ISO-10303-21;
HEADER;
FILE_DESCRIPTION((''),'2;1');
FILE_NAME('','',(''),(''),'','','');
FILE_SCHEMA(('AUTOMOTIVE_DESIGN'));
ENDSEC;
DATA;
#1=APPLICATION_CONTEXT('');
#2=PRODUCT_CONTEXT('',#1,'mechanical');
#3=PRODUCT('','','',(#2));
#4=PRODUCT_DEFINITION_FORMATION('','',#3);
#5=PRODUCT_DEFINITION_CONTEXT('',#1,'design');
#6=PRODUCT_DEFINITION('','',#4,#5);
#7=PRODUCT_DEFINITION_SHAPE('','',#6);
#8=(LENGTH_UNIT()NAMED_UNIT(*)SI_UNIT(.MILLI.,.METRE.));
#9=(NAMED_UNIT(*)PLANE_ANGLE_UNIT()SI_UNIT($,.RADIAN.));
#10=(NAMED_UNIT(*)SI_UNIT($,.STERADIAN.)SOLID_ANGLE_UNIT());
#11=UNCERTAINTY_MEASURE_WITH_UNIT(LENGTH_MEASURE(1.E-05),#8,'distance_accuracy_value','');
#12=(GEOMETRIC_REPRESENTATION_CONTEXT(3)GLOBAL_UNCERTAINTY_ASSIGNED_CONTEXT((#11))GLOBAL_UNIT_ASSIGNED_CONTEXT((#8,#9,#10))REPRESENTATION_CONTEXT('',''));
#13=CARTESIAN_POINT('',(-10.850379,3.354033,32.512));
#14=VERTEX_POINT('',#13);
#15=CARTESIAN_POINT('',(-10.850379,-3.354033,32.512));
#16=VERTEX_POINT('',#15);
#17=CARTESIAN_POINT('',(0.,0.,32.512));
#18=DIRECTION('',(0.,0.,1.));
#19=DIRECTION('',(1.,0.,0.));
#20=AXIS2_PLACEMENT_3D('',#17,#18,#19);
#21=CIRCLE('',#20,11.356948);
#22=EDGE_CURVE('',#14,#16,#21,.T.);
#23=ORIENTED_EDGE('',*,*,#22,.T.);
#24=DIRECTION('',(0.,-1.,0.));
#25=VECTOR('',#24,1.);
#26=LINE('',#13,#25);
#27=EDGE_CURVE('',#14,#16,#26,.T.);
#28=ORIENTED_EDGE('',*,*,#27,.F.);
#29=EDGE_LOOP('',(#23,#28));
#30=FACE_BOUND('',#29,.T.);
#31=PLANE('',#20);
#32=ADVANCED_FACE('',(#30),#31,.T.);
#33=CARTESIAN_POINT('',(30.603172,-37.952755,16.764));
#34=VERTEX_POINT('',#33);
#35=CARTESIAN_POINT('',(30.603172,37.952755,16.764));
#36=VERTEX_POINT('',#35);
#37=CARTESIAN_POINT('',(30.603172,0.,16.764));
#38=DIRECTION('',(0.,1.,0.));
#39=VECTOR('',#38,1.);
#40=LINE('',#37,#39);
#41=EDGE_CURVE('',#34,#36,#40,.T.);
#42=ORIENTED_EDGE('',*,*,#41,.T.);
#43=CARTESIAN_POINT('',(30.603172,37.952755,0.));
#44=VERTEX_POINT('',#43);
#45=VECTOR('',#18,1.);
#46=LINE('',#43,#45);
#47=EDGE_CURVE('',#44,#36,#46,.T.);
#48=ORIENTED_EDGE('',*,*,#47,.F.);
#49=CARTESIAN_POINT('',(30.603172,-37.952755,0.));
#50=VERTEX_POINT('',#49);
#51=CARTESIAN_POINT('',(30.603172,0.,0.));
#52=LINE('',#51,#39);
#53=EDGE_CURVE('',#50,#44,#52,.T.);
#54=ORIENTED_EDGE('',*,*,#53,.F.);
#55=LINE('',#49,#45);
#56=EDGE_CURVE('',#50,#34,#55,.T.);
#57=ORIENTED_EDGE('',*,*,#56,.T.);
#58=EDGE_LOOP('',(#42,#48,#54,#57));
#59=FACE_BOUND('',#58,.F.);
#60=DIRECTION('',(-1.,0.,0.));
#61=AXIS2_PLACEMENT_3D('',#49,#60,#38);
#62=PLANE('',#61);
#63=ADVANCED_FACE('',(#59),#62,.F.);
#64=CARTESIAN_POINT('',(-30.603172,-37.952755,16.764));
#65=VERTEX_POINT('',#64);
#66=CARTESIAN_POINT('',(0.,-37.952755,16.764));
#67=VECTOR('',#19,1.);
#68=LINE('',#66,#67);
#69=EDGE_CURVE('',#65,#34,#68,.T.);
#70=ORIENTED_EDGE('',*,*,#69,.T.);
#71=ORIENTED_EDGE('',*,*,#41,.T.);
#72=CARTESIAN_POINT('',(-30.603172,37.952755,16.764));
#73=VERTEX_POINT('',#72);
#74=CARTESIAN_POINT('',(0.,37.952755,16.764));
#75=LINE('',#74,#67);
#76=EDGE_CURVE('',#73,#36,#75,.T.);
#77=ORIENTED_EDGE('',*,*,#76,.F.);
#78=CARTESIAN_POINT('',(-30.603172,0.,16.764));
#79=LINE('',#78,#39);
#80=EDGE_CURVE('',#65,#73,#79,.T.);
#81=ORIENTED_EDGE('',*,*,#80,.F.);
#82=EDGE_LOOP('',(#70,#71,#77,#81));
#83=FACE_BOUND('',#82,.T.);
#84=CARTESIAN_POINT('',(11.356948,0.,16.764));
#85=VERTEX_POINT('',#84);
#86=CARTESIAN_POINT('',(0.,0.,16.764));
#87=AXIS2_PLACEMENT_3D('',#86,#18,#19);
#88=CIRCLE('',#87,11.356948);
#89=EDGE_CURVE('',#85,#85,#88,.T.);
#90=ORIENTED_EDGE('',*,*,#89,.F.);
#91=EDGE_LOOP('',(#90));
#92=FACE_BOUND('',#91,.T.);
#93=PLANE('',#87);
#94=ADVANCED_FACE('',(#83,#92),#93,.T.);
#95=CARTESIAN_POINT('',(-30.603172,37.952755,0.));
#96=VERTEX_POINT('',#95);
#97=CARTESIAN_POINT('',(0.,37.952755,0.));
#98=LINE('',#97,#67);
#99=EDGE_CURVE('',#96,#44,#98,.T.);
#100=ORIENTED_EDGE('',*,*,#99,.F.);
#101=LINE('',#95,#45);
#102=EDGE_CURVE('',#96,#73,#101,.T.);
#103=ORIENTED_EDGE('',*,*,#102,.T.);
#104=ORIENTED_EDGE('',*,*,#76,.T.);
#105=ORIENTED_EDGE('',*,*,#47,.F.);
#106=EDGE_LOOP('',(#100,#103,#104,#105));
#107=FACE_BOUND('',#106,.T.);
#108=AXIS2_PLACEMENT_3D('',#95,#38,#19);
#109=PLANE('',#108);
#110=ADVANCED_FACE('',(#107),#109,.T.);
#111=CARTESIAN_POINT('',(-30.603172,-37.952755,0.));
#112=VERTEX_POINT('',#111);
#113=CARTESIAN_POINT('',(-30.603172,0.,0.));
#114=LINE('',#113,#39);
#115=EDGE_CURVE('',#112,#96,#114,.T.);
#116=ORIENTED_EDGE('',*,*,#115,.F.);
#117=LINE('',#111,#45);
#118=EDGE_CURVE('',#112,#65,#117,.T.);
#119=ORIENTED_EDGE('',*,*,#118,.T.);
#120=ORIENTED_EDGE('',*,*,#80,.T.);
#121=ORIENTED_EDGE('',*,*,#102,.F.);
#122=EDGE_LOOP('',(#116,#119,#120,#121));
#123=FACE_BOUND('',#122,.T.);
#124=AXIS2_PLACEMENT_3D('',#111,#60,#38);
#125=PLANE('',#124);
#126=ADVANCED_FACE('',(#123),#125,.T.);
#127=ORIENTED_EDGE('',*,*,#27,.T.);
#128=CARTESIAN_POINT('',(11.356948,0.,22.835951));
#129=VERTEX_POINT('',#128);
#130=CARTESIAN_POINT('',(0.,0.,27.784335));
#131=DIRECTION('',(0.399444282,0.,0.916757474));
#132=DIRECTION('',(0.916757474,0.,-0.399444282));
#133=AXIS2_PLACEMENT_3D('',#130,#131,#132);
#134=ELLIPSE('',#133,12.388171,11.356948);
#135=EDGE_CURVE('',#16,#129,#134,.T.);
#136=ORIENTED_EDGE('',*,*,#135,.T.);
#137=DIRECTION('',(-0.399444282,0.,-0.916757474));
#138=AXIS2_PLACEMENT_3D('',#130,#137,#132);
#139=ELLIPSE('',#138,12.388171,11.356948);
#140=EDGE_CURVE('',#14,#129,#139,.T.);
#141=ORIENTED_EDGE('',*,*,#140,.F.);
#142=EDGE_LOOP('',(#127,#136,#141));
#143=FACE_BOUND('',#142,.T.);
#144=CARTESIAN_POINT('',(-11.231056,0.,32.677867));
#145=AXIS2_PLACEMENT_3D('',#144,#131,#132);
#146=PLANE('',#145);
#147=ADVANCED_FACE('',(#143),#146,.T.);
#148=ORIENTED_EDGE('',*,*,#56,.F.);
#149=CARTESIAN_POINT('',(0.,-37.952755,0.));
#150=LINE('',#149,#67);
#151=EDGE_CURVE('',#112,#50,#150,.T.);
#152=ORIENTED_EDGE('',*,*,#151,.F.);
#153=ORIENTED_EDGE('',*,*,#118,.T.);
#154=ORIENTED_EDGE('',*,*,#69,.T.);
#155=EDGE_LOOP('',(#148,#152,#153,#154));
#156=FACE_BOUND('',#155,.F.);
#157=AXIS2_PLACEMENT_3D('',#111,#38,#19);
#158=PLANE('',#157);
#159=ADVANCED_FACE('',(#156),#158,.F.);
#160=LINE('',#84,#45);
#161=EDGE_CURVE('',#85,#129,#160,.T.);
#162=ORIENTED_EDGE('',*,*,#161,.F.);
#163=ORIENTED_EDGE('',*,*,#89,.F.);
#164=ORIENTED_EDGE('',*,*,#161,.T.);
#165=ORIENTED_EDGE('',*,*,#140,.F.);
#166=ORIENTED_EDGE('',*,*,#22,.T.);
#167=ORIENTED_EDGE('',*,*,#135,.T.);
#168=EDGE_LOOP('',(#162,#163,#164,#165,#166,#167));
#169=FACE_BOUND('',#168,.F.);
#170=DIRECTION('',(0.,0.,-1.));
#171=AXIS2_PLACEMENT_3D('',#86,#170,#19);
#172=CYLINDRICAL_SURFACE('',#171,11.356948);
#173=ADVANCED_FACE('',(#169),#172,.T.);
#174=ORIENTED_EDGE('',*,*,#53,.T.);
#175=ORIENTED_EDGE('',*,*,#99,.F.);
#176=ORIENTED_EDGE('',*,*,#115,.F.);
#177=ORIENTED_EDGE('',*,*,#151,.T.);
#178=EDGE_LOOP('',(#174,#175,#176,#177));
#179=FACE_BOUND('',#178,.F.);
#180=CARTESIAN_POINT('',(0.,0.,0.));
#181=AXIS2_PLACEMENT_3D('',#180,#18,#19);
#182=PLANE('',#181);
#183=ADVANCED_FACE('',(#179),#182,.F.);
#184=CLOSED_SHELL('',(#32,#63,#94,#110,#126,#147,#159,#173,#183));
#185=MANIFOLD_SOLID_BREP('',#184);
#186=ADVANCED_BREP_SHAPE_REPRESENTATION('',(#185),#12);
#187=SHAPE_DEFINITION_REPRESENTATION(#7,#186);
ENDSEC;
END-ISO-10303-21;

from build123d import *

# Parameters (mm, degrees)
F0_W          = 61.2063445151
F0_H          = 75.9055092931
F1_DEPTH      = 16.764
F2_R          = 11.3569479506
F3_DEPTH      = 15.748
F5_DEPTH      = 25.4
F5_DEPTH_BACK = 25.4


with BuildPart() as f1:
    # F0 (on Top) → F1 (new body)
    with BuildSketch(Plane.XY):
        Rectangle(F0_W, F0_H)
    extrude(amount=F1_DEPTH)

    # F2 (on face) → F3 (join)
    with BuildSketch(Plane.XY.offset(16.764)):
        Circle(F2_R)
    extrude(amount=F3_DEPTH)

    # F4 (on Front) → F5 (cut, two sides)
    with BuildSketch(Plane.XZ) as f5_sk:
        Polygon((12.6237450168, 32.6778665185), (-11.2310564145, 32.6778665185), (12.6237450168, 22.2839899361), align=None)
    extrude(amount=-F5_DEPTH, mode=Mode.SUBTRACT)
    extrude(f5_sk.sketch, amount=F5_DEPTH_BACK, mode=Mode.SUBTRACT)


solid = f1.part
